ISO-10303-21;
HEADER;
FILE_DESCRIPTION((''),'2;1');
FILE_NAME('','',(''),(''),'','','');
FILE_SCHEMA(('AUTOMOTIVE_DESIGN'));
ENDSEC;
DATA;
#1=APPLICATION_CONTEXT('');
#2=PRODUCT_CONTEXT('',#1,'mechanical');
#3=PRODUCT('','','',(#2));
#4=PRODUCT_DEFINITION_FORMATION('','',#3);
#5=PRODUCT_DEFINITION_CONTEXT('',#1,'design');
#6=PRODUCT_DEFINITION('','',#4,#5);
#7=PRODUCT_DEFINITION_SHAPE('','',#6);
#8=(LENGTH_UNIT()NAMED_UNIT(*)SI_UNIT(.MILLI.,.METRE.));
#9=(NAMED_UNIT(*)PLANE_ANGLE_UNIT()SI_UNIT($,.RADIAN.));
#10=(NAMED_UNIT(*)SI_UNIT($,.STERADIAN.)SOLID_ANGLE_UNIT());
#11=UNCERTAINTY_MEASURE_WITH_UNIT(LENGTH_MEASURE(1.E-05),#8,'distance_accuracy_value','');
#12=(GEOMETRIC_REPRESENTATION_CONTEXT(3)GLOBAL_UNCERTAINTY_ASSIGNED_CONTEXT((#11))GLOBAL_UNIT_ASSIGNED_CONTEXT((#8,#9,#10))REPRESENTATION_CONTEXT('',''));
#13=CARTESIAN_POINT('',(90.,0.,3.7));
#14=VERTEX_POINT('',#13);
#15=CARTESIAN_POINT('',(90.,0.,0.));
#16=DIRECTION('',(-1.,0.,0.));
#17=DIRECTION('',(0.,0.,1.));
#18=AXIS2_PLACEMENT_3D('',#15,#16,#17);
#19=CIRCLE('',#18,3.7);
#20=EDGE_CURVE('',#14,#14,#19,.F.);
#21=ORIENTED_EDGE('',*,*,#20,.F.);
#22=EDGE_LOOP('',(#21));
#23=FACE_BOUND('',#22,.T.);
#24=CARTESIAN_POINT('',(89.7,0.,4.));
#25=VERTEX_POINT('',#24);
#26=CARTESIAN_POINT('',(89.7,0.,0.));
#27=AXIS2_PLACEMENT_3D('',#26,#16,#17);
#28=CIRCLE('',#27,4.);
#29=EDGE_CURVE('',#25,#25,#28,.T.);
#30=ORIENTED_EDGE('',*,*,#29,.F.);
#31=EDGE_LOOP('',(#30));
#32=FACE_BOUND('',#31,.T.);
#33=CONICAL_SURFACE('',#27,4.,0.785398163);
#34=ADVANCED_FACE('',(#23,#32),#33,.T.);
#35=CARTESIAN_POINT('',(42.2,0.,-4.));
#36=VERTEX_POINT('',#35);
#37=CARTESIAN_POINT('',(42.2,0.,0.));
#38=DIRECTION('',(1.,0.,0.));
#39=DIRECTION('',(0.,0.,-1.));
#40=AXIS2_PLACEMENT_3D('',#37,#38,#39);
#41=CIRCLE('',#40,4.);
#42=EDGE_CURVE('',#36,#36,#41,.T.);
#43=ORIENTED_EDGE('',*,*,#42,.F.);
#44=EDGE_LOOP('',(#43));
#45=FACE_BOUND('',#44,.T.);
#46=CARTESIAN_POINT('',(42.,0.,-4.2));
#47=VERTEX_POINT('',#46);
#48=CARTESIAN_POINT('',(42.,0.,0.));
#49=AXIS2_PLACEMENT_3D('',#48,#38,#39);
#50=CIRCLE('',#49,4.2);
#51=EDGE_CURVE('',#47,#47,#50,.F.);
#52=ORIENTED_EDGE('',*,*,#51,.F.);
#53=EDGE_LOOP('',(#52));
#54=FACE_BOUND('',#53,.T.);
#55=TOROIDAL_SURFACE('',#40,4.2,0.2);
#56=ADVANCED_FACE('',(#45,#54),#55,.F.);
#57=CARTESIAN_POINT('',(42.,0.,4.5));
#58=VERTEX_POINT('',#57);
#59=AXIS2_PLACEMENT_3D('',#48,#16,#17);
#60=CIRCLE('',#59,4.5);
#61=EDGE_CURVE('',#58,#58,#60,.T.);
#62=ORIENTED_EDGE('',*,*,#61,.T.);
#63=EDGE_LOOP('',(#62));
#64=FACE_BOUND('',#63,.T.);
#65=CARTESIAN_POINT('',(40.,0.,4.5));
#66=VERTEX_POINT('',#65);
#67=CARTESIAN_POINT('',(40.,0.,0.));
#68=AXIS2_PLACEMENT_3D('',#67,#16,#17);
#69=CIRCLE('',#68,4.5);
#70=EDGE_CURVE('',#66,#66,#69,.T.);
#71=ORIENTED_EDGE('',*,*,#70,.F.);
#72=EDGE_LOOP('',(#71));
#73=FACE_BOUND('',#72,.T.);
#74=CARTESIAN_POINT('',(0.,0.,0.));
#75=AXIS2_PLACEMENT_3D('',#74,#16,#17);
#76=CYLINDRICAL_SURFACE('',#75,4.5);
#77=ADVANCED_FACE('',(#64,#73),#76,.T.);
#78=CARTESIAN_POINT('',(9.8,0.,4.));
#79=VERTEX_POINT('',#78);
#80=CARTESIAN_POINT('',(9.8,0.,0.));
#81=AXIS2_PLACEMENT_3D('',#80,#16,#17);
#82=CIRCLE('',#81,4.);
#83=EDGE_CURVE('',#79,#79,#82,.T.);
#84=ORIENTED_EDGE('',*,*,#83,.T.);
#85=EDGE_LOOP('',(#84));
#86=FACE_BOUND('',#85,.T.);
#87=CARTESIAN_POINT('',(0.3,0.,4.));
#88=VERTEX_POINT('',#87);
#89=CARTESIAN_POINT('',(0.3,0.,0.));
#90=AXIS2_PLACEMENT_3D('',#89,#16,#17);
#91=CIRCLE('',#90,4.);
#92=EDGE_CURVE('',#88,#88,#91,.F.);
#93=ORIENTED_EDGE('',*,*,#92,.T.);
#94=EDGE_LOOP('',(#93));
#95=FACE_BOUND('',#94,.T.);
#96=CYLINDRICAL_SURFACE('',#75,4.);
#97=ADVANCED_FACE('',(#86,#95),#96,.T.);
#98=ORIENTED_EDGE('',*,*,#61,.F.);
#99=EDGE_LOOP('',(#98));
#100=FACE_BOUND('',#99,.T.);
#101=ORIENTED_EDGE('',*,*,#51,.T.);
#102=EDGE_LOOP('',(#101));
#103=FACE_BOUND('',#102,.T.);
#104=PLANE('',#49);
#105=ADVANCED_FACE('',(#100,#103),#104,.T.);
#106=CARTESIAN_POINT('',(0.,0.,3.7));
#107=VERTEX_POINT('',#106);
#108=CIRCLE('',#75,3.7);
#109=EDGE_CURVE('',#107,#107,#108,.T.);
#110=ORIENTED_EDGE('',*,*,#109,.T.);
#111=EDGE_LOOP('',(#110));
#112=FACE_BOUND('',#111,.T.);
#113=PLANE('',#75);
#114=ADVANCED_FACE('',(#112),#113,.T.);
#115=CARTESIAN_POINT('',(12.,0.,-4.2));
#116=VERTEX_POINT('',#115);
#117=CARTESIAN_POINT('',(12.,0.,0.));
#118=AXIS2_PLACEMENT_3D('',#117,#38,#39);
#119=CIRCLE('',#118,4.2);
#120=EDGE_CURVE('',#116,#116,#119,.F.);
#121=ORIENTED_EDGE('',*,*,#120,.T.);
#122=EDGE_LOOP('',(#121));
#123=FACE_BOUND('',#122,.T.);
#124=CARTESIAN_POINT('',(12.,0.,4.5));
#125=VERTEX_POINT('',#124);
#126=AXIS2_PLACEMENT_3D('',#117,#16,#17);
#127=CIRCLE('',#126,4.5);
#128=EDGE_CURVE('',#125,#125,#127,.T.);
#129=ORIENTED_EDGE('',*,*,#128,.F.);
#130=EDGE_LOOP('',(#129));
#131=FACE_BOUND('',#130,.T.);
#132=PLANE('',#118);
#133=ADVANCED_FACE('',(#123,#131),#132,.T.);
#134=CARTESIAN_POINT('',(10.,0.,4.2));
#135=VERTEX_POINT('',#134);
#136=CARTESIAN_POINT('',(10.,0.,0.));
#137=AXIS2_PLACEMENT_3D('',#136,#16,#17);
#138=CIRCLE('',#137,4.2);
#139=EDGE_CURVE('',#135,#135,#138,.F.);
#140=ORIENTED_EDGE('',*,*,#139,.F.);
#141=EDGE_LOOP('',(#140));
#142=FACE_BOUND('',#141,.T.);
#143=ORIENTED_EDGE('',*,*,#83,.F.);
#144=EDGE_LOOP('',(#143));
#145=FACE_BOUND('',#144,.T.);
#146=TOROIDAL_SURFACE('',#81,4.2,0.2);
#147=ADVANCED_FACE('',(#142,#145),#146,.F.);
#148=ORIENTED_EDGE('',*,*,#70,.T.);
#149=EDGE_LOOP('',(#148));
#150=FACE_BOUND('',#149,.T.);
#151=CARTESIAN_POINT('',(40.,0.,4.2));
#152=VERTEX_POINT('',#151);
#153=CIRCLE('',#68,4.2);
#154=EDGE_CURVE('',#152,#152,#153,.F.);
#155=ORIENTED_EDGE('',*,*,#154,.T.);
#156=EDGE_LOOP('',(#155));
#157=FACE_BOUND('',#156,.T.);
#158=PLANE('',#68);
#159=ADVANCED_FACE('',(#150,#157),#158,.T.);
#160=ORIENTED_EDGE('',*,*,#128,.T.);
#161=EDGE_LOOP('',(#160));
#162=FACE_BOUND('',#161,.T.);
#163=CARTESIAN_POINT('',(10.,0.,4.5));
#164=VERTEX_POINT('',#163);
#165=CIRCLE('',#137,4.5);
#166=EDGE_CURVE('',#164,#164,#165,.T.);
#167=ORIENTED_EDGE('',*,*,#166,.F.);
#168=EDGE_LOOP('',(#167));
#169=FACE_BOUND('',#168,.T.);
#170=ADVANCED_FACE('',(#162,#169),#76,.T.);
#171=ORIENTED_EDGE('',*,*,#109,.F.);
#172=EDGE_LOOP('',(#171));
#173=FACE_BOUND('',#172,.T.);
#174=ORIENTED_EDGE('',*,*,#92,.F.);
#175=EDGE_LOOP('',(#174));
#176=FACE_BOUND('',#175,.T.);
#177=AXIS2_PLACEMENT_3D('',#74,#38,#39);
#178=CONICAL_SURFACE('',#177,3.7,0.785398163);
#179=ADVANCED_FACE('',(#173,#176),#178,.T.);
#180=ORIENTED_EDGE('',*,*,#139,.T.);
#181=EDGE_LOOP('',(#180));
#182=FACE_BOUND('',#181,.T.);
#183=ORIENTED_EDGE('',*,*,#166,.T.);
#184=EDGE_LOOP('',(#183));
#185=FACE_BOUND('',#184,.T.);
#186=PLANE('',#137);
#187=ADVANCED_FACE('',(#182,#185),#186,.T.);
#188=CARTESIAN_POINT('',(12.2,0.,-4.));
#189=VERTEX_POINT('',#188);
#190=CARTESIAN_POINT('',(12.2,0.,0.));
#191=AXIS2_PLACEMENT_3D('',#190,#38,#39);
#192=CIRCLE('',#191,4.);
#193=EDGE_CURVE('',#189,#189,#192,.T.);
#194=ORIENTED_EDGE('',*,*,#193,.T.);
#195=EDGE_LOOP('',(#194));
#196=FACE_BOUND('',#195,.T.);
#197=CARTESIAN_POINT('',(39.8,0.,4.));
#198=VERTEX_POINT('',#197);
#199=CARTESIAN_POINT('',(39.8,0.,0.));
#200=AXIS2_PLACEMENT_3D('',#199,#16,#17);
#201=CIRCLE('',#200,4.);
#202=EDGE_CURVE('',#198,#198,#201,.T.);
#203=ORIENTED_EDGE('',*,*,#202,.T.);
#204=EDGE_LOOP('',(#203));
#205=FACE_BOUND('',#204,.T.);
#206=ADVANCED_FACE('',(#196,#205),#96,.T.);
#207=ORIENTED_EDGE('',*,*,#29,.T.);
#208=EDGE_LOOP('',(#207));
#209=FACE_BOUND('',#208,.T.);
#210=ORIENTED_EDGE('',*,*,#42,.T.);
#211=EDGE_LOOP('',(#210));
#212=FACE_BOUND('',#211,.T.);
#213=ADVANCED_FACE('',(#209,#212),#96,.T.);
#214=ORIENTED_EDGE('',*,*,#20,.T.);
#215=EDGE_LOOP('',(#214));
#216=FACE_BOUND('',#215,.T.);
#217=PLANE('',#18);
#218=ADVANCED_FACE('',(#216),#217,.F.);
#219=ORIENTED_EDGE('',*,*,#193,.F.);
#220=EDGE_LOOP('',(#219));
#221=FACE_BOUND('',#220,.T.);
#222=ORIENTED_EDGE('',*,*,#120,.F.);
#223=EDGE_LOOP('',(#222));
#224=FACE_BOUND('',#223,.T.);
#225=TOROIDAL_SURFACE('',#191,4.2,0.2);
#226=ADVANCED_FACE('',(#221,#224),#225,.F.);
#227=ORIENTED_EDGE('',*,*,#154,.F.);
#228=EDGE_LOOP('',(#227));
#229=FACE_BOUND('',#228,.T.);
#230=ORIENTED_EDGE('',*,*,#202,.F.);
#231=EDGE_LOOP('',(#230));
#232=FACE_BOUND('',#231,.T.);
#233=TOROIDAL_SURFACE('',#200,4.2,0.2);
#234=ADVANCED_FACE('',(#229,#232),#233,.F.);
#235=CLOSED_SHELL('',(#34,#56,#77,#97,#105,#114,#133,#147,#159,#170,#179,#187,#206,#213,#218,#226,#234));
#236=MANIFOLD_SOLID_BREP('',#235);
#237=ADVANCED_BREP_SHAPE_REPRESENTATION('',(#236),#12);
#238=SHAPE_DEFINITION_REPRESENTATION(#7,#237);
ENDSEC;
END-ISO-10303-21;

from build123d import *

# Parameters (mm, degrees)
SKETCH1_W     = 10
SKETCH1_H     = 4
SKETCH1_W_2   = 8
SKETCH1_W_3   = 12
SKETCH1_W_4   = 38
FILLET1_R     = 0.2
CHAMFER1_SIZE = 0.3


with BuildPart() as part:
    # Sketch1 → Revolve1 (revolve)
    with BuildSketch(Plane.XY, mode=Mode.PRIVATE) as revolve1_sk:
        with Locations((5, 2)):
            Rectangle(SKETCH1_W, SKETCH1_H)
        Polygon((10, 4.5), (10, 4), (10, 0), (12, 0), (12, 4), (12, 4.5), align=None)
        with Locations((16, 2)):
            Rectangle(SKETCH1_W_2, SKETCH1_H)
        with Locations((26, 2)):
            Rectangle(SKETCH1_W_3, SKETCH1_H)
        with Locations((36, 2)):
            Rectangle(SKETCH1_W_2, SKETCH1_H)
        Polygon((40, 4), (40, 0), (42, 0), (42, 4), (42, 4.5), (40, 4.5), align=None)
        with Locations((47, 2)):
            Rectangle(SKETCH1_W, SKETCH1_H)
        with Locations((71, 2)):
            Rectangle(SKETCH1_W_4, SKETCH1_H)
    revolve(revolve1_sk.sketch.rotate(Axis((0, 0, 0), (1, 0, 0)), 90), axis=Axis((0, 0, 0), (1, 0, 0)))

    # Fillet1
    fillet1_edges = [part.edges().sort_by_distance(p)[0] for p in [
        (10, 0, -4),
        (12, 0, -4),
        (40, 0, -4),
        (42, 0, -4),
    ]]
    fillet(fillet1_edges, radius=FILLET1_R)

    # Chamfer1
    chamfer1_edges = [part.edges().sort_by_distance(p)[0] for p in [
        (90, 0, -4),
        (0, 0, -4),
    ]]
    chamfer(chamfer1_edges, length=CHAMFER1_SIZE)


solid = part.part
